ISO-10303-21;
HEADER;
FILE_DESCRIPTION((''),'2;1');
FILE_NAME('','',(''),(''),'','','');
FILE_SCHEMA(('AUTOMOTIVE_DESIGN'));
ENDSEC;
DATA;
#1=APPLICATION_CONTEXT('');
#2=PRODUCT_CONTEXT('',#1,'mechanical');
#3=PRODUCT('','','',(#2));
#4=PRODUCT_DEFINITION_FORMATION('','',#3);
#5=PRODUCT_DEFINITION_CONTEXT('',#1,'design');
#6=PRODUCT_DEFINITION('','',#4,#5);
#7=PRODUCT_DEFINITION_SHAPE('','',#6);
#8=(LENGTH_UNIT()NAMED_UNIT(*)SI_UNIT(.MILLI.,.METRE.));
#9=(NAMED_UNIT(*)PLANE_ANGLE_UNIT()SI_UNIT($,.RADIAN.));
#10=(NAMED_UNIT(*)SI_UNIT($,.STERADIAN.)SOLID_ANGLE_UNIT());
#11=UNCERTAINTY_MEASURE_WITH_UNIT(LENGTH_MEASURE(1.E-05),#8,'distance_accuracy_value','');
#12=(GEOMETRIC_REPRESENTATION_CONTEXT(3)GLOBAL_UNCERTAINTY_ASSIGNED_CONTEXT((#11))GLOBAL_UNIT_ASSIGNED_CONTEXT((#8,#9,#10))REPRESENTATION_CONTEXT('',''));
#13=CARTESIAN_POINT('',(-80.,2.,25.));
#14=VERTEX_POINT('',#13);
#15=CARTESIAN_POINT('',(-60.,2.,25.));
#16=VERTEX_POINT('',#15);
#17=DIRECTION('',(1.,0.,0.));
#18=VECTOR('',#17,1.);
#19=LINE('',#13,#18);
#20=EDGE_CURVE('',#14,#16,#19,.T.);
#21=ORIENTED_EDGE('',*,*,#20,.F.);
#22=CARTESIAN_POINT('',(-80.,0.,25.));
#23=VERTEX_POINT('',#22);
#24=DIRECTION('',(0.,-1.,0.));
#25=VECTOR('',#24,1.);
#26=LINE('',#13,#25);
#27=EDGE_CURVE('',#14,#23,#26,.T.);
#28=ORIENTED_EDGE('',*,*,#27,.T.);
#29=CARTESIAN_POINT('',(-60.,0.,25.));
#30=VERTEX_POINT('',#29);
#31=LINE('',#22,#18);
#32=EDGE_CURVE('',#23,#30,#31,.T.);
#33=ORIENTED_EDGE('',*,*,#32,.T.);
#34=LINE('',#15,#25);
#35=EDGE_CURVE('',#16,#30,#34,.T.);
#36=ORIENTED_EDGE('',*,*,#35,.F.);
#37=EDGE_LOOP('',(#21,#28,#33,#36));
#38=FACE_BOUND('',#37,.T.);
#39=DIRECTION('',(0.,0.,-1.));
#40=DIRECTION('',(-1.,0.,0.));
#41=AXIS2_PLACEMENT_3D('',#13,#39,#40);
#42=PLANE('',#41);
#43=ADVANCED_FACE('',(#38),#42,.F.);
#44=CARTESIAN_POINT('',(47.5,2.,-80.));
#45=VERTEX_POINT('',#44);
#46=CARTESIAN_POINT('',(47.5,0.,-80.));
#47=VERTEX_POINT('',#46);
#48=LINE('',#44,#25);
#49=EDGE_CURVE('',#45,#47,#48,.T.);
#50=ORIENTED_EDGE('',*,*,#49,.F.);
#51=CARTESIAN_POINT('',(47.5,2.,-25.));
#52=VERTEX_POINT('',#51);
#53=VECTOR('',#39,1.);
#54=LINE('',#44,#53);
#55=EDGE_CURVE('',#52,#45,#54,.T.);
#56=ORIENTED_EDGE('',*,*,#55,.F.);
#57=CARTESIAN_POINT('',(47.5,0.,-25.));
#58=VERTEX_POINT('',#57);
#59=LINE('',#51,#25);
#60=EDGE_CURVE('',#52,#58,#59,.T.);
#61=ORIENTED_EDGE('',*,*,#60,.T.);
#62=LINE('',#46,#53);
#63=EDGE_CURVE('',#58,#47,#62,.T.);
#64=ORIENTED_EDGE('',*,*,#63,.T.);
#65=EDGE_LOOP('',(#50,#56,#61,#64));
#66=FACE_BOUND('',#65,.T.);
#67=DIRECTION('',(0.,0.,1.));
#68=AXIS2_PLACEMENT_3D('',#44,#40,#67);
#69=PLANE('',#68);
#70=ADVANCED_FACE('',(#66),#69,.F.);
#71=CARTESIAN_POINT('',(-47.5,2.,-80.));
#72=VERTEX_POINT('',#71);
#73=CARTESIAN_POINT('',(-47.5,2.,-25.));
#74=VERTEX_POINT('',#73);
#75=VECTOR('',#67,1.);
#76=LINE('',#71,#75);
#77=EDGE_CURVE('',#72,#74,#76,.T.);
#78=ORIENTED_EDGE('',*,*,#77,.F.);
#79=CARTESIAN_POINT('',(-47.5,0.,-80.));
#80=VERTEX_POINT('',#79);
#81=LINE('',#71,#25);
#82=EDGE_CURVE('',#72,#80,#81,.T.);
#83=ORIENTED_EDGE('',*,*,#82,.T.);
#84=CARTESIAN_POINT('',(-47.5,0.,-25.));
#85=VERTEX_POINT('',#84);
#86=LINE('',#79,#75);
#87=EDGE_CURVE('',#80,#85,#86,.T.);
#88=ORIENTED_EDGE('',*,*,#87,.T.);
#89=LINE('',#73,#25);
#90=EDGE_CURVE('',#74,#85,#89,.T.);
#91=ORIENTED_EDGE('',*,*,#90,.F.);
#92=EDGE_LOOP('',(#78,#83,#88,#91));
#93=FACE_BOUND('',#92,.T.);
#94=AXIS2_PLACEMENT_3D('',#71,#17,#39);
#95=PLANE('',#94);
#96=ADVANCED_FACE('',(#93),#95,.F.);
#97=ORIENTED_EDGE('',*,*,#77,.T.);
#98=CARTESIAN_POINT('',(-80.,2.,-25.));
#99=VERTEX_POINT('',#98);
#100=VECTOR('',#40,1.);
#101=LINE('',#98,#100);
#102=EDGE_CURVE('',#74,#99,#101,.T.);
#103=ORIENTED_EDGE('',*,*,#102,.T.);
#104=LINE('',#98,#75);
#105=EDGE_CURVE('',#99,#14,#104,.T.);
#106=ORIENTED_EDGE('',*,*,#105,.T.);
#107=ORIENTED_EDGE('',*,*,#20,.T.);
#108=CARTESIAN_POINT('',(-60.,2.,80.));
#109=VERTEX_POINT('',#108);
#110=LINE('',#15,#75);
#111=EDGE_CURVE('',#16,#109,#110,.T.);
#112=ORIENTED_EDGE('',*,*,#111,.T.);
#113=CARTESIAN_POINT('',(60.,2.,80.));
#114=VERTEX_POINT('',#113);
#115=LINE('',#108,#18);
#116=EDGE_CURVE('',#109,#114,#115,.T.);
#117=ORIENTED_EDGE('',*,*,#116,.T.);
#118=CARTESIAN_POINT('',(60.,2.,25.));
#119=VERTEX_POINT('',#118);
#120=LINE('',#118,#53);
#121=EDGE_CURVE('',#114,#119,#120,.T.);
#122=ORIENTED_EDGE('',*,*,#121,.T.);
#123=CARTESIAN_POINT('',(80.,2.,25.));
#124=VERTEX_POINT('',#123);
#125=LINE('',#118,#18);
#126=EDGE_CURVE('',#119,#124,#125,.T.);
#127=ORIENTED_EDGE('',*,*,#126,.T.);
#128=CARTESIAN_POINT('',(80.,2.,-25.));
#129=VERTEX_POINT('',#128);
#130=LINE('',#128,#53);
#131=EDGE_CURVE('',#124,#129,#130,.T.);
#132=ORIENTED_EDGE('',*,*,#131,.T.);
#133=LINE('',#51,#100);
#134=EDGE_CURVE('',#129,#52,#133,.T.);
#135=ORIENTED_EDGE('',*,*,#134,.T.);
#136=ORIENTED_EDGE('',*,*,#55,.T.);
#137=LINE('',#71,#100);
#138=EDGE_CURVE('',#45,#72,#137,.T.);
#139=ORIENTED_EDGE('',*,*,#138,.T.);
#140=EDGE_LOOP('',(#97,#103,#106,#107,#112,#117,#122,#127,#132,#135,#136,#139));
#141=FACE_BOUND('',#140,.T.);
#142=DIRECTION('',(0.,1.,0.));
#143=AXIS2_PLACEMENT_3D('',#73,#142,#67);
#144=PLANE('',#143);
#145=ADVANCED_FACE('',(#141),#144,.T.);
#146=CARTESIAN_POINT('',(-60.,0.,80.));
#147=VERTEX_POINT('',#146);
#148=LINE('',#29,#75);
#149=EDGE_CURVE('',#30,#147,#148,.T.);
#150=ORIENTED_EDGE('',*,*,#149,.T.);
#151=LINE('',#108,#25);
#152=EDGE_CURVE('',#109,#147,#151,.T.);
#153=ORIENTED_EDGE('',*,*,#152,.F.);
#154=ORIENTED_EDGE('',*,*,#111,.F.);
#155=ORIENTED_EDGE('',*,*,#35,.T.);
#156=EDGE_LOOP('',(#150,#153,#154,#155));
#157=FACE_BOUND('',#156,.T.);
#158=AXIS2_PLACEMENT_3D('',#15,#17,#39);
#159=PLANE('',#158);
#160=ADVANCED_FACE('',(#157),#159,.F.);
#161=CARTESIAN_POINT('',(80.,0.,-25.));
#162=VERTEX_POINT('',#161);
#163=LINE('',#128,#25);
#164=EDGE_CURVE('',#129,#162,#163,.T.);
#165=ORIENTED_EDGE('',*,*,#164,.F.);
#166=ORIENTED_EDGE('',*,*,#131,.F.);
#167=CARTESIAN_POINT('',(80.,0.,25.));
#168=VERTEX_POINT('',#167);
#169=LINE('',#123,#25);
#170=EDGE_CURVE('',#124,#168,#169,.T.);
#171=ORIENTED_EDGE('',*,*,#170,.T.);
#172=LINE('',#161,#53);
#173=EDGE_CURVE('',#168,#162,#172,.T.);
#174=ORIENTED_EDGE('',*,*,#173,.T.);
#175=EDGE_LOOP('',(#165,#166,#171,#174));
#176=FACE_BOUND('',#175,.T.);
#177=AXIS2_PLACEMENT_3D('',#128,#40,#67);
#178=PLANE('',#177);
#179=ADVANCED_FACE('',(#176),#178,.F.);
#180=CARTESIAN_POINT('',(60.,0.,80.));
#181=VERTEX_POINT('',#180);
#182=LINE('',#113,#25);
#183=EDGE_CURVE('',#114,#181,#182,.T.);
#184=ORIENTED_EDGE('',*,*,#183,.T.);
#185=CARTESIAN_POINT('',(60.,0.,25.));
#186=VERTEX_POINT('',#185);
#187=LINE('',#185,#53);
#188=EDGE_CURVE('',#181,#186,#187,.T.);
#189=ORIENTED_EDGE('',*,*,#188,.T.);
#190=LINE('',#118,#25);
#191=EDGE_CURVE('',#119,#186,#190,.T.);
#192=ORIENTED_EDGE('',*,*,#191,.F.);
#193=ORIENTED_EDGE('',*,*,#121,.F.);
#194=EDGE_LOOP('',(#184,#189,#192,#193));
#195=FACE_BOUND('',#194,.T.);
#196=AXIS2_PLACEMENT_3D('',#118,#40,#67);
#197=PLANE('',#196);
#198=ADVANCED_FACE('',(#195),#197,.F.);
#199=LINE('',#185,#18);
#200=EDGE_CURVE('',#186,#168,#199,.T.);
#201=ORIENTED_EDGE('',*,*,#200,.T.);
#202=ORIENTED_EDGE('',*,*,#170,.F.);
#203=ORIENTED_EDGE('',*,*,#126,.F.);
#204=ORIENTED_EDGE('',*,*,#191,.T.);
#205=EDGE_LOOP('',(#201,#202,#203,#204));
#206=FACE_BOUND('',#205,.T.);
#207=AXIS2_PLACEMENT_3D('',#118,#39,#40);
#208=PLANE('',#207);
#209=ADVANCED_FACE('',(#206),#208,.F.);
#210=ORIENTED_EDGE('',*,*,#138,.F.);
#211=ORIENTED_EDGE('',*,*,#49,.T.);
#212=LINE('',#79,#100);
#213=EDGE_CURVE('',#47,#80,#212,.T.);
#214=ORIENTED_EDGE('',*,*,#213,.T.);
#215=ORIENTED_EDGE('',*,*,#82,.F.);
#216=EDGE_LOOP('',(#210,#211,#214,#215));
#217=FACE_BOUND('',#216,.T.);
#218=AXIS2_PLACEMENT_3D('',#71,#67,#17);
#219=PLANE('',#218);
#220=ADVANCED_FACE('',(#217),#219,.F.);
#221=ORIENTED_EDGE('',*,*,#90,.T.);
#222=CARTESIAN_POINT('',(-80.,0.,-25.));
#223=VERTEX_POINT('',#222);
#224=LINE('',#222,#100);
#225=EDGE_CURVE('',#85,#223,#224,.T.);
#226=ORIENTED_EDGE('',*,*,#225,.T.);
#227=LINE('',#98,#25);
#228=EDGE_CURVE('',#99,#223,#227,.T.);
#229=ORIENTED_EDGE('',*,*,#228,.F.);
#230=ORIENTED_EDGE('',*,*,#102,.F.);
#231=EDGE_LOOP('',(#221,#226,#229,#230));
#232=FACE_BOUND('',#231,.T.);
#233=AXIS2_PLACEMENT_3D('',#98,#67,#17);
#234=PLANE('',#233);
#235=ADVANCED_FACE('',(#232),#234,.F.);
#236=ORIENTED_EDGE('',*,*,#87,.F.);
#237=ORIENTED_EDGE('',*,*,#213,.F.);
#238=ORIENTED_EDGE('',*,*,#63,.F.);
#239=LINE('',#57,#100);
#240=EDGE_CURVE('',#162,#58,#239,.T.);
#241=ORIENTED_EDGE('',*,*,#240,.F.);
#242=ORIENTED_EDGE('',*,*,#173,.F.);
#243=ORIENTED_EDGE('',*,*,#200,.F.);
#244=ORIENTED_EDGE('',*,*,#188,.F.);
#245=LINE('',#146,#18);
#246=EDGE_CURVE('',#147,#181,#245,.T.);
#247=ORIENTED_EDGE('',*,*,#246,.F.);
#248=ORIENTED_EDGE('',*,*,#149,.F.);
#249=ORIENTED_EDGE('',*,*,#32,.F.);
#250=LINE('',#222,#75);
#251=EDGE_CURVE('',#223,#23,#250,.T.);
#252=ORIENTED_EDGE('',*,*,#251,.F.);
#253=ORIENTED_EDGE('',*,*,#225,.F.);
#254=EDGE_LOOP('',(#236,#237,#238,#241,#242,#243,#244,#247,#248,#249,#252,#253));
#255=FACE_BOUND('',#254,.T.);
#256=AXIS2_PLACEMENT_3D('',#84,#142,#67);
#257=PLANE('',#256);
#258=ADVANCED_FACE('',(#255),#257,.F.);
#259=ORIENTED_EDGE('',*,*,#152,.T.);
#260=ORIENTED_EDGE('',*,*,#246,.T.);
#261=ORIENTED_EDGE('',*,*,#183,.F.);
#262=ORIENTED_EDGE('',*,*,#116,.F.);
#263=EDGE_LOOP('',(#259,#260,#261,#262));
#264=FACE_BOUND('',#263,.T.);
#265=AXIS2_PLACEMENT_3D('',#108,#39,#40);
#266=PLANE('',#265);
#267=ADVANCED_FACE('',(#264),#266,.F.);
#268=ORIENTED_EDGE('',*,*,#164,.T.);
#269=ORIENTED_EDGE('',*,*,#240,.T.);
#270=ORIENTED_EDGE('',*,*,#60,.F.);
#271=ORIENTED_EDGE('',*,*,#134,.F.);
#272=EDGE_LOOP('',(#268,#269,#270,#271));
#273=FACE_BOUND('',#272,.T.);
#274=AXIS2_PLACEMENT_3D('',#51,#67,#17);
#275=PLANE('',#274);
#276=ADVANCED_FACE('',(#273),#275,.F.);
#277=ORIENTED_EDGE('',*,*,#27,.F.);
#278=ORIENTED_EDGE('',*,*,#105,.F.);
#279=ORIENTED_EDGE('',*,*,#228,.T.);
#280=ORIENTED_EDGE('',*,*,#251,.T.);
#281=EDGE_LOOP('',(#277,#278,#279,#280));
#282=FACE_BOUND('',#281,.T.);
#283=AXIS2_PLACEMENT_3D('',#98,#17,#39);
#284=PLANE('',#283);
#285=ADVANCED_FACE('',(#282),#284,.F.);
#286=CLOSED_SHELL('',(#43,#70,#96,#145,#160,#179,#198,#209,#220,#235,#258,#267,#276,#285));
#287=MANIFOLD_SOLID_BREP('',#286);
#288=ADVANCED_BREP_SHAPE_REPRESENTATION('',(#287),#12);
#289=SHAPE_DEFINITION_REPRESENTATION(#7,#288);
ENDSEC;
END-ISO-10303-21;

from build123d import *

# Parameters (mm, degrees)
EXTRUDE1_DEPTH = 2


with BuildPart() as part:
    # Sketch1 → Extrude1 (new body)
    with BuildSketch(Plane(origin=(0, 0, 0), x_dir=(1, 0, 0), z_dir=(0, 1, 0))):
        Polygon((-47.5, 80), (47.5, 80), (47.5, 25), (80, 25), (80, -25), (60, -25), (60, -80), (-60, -80), (-60, -25), (-80, -25), (-80, 25), (-47.5, 25), align=None)
    extrude(amount=EXTRUDE1_DEPTH)


solid = part.part
